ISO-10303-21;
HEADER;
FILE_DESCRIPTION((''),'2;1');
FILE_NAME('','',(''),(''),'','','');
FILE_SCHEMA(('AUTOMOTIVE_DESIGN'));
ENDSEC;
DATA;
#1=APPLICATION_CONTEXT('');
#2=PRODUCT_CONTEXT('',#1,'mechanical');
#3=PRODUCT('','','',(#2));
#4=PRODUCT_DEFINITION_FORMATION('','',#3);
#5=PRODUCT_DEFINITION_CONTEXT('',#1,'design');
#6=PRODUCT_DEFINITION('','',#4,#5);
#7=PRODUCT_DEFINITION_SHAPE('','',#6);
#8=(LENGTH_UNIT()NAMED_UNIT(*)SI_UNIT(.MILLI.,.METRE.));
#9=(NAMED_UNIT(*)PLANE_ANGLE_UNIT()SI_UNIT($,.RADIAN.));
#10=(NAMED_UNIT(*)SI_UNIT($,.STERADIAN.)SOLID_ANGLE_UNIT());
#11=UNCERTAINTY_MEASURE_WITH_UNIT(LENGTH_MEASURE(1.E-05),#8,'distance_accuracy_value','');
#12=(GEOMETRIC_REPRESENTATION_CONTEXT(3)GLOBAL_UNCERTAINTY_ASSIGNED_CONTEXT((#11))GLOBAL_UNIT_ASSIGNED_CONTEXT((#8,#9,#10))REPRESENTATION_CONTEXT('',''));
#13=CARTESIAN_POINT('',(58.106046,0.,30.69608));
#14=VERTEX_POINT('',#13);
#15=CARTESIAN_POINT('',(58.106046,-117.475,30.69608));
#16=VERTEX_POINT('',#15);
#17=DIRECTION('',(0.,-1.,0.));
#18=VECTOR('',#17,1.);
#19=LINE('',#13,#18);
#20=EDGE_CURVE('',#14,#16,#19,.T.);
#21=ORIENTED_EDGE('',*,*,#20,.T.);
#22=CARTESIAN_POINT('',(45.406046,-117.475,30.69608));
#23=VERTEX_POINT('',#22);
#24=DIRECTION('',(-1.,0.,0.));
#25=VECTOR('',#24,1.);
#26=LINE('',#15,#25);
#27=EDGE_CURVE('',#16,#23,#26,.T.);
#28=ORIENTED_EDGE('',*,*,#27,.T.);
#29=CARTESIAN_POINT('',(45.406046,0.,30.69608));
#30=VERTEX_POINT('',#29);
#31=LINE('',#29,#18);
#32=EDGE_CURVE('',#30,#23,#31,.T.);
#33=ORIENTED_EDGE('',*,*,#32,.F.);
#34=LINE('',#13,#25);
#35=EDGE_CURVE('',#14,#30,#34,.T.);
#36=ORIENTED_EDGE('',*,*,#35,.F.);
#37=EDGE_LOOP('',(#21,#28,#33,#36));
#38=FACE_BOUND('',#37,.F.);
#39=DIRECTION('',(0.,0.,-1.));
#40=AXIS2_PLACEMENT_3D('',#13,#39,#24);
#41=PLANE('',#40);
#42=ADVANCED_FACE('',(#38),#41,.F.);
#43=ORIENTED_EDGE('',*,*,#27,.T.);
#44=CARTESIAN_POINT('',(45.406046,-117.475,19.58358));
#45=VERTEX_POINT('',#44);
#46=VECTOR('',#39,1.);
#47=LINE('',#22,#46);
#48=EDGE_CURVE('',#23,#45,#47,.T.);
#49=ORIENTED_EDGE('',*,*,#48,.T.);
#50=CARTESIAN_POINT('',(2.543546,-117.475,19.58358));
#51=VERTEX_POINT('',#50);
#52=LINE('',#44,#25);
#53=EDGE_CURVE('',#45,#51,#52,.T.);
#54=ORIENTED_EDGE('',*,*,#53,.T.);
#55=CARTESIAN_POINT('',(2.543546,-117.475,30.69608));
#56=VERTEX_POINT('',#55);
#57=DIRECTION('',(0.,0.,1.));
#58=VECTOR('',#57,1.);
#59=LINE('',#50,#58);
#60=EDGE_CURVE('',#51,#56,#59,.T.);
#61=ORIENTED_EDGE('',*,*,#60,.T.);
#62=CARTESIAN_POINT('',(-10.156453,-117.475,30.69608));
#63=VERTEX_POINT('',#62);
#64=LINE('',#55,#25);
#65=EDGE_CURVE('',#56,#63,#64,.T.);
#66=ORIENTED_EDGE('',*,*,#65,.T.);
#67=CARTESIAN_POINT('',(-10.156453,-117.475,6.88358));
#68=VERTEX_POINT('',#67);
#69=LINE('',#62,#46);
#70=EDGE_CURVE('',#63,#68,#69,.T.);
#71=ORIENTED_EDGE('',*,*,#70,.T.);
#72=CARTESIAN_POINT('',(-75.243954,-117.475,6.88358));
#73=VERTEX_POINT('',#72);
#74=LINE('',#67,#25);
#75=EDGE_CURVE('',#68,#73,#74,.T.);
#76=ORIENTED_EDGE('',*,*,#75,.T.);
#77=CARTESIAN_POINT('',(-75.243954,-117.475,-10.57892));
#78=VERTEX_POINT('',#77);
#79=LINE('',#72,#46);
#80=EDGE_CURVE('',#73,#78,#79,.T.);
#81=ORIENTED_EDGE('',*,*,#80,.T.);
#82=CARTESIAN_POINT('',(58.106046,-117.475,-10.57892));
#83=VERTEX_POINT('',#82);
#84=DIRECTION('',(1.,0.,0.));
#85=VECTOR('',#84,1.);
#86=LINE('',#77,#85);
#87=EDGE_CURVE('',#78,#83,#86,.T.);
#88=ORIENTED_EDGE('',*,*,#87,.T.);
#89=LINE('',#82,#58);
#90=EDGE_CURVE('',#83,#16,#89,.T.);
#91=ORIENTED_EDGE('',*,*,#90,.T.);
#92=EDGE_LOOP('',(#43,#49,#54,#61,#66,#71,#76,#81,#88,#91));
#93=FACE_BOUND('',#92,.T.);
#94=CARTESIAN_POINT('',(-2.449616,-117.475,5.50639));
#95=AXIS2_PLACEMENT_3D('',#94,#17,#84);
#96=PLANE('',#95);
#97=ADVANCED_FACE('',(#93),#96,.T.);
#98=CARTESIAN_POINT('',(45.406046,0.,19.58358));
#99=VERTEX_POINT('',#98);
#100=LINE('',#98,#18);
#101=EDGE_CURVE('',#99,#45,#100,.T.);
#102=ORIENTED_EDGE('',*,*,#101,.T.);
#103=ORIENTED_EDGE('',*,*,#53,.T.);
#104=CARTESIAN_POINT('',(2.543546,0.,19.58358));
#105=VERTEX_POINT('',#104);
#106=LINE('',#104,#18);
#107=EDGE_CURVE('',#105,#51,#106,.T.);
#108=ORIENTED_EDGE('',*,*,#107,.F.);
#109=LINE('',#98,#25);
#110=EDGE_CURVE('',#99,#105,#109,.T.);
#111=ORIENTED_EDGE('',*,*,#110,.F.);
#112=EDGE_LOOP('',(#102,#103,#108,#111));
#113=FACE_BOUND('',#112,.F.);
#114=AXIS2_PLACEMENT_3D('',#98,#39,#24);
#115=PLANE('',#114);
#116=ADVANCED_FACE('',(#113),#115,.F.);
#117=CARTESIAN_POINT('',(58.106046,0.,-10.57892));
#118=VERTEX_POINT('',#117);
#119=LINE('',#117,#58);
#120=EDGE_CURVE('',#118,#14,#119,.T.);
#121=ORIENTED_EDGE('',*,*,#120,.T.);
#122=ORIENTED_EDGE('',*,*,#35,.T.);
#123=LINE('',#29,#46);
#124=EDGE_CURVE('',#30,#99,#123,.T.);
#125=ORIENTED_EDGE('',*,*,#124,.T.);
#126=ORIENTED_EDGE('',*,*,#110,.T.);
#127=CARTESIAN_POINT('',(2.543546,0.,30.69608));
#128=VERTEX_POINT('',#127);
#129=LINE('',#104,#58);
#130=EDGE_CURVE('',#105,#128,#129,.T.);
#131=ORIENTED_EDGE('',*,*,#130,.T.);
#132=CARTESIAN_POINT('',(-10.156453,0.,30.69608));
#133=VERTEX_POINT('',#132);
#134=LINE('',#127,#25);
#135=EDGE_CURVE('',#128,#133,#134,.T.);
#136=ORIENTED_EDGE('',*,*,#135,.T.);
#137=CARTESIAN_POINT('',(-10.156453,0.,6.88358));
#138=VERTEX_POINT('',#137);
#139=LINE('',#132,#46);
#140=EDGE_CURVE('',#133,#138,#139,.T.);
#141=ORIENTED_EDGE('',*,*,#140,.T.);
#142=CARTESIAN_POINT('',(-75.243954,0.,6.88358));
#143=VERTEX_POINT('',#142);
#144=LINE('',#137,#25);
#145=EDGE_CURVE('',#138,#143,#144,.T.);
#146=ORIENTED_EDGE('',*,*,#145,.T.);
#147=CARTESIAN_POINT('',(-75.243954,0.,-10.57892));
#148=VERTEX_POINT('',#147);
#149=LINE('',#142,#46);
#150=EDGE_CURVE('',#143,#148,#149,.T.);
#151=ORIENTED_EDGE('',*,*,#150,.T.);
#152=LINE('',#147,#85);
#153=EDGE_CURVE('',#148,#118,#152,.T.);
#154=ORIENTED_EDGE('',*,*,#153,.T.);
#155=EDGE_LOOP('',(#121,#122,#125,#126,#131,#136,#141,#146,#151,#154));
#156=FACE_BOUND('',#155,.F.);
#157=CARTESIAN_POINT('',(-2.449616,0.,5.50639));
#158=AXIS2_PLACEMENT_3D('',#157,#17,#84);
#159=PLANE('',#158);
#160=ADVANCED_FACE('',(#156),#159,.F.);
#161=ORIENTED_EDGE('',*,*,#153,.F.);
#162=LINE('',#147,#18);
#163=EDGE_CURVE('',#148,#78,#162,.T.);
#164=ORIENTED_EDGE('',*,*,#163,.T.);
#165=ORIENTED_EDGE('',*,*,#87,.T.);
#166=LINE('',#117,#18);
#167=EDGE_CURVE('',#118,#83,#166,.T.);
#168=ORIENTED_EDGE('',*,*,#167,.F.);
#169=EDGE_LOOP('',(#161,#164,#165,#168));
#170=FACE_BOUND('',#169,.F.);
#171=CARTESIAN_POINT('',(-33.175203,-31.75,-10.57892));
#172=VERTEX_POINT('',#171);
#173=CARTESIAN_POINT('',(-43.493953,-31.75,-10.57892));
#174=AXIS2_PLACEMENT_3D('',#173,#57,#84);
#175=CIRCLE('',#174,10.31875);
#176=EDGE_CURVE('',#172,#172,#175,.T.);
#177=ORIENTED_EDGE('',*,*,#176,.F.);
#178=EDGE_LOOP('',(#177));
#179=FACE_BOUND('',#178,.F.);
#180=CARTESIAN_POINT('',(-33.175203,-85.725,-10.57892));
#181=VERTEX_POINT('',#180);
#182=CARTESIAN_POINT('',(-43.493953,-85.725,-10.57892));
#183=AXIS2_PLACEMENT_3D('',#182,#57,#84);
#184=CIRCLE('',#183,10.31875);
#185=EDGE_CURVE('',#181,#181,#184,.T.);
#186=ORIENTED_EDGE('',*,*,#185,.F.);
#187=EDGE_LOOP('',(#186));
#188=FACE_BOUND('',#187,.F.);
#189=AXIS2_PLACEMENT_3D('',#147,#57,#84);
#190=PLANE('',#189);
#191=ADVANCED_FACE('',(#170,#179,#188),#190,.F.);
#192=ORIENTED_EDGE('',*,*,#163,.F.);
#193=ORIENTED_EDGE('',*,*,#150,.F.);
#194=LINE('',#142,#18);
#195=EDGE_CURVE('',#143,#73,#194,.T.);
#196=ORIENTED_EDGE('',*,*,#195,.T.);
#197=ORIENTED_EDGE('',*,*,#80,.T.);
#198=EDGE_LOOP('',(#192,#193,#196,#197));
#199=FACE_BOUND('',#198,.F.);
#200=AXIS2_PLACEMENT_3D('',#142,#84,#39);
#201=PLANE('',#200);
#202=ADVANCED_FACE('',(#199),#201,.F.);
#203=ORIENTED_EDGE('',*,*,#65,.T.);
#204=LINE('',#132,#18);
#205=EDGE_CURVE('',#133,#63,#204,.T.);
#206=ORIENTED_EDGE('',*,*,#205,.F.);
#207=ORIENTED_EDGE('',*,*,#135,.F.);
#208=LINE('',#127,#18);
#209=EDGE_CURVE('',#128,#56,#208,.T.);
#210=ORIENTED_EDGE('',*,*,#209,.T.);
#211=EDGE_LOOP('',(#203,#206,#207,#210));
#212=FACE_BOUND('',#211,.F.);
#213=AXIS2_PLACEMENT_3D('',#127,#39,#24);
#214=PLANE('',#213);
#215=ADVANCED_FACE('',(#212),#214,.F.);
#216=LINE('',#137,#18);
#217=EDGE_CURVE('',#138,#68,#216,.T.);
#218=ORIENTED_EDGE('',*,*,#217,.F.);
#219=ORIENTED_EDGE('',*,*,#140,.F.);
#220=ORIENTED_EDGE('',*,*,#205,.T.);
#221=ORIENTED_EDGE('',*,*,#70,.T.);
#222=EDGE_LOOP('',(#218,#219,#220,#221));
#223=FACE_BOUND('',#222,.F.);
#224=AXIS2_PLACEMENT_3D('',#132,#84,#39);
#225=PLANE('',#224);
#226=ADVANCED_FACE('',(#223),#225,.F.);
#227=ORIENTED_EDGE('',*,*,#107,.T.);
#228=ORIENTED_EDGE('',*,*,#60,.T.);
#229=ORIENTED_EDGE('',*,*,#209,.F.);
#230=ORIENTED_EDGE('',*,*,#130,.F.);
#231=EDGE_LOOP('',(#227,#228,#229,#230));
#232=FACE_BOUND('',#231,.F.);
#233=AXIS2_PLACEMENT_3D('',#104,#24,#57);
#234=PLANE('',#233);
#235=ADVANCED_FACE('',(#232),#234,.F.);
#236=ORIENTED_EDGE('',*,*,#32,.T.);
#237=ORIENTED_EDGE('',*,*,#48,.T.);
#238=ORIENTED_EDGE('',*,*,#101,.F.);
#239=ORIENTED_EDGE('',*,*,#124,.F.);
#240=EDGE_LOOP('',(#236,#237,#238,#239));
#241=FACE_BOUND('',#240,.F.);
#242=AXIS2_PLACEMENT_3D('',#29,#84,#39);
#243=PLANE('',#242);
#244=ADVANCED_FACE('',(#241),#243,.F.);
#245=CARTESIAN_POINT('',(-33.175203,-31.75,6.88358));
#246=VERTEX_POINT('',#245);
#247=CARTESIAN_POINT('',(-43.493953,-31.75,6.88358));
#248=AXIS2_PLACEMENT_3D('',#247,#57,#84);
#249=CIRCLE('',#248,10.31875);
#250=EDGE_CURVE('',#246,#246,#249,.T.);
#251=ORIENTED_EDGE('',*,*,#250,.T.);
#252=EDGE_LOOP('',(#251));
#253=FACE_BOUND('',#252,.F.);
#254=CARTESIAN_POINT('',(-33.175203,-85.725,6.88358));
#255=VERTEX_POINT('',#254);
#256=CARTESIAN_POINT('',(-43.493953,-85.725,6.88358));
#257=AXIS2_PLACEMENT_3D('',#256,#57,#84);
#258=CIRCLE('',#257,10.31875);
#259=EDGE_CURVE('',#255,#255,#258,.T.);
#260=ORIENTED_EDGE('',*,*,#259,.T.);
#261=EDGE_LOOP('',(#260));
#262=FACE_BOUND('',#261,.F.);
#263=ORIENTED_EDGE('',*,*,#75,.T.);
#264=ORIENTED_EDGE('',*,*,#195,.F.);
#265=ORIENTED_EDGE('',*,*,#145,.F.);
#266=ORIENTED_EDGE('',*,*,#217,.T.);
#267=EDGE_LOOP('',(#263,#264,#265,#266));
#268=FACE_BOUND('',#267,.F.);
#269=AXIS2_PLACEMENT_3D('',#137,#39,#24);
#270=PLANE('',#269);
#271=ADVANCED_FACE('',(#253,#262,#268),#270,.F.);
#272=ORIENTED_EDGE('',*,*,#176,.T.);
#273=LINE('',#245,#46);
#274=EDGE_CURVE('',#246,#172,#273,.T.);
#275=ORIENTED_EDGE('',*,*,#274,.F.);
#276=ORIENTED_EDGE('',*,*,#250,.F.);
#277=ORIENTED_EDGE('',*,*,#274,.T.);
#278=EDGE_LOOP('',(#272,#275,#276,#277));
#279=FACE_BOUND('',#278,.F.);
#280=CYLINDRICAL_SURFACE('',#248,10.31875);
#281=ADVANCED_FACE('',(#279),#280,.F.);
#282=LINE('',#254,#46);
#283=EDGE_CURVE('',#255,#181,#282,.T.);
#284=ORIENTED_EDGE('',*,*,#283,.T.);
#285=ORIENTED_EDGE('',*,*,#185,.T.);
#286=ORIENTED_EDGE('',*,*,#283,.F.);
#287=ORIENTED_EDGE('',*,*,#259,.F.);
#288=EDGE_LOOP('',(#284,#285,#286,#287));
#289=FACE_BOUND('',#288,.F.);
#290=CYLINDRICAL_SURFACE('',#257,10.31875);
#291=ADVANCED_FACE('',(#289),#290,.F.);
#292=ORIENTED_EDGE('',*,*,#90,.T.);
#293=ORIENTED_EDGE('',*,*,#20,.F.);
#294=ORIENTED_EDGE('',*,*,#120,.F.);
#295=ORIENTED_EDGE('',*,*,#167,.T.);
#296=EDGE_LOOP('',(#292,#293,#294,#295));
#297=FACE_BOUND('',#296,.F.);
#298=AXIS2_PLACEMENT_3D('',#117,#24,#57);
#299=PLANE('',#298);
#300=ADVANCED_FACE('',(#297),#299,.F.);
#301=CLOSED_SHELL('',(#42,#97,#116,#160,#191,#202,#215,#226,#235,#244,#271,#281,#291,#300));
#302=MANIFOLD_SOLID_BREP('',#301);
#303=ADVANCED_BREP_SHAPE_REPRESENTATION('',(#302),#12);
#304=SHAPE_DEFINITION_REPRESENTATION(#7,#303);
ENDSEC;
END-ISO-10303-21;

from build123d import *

# Parameters (mm, degrees)
F1_DEPTH = 117.475
F2_R     = 10.31875
F3_DEPTH = 17.4635


with BuildPart() as f1:
    # F0 (on Front) → F1 (new body)
    with BuildSketch(Plane.XZ):
        Polygon((-10.156453, 6.88358), (-75.243954, 6.88358), (-75.243954, -10.57892), (58.106046, -10.57892), (58.106046, 30.69608), (45.406046, 30.69608), (45.406046, 19.58358), (2.543546, 19.58358), (2.543546, 30.69608), (-10.156453, 30.69608), align=None)
    extrude(amount=F1_DEPTH)

    # F2 (on face) → F3 (cut, through all)
    with BuildSketch(Plane.XY.offset(6.88358)):
        with Locations((-43.493953, -85.725)):
            Circle(F2_R)
        with Locations((-43.493953, -31.75)):
            Circle(F2_R)
    extrude(amount=-F3_DEPTH, mode=Mode.SUBTRACT)


solid = f1.part
